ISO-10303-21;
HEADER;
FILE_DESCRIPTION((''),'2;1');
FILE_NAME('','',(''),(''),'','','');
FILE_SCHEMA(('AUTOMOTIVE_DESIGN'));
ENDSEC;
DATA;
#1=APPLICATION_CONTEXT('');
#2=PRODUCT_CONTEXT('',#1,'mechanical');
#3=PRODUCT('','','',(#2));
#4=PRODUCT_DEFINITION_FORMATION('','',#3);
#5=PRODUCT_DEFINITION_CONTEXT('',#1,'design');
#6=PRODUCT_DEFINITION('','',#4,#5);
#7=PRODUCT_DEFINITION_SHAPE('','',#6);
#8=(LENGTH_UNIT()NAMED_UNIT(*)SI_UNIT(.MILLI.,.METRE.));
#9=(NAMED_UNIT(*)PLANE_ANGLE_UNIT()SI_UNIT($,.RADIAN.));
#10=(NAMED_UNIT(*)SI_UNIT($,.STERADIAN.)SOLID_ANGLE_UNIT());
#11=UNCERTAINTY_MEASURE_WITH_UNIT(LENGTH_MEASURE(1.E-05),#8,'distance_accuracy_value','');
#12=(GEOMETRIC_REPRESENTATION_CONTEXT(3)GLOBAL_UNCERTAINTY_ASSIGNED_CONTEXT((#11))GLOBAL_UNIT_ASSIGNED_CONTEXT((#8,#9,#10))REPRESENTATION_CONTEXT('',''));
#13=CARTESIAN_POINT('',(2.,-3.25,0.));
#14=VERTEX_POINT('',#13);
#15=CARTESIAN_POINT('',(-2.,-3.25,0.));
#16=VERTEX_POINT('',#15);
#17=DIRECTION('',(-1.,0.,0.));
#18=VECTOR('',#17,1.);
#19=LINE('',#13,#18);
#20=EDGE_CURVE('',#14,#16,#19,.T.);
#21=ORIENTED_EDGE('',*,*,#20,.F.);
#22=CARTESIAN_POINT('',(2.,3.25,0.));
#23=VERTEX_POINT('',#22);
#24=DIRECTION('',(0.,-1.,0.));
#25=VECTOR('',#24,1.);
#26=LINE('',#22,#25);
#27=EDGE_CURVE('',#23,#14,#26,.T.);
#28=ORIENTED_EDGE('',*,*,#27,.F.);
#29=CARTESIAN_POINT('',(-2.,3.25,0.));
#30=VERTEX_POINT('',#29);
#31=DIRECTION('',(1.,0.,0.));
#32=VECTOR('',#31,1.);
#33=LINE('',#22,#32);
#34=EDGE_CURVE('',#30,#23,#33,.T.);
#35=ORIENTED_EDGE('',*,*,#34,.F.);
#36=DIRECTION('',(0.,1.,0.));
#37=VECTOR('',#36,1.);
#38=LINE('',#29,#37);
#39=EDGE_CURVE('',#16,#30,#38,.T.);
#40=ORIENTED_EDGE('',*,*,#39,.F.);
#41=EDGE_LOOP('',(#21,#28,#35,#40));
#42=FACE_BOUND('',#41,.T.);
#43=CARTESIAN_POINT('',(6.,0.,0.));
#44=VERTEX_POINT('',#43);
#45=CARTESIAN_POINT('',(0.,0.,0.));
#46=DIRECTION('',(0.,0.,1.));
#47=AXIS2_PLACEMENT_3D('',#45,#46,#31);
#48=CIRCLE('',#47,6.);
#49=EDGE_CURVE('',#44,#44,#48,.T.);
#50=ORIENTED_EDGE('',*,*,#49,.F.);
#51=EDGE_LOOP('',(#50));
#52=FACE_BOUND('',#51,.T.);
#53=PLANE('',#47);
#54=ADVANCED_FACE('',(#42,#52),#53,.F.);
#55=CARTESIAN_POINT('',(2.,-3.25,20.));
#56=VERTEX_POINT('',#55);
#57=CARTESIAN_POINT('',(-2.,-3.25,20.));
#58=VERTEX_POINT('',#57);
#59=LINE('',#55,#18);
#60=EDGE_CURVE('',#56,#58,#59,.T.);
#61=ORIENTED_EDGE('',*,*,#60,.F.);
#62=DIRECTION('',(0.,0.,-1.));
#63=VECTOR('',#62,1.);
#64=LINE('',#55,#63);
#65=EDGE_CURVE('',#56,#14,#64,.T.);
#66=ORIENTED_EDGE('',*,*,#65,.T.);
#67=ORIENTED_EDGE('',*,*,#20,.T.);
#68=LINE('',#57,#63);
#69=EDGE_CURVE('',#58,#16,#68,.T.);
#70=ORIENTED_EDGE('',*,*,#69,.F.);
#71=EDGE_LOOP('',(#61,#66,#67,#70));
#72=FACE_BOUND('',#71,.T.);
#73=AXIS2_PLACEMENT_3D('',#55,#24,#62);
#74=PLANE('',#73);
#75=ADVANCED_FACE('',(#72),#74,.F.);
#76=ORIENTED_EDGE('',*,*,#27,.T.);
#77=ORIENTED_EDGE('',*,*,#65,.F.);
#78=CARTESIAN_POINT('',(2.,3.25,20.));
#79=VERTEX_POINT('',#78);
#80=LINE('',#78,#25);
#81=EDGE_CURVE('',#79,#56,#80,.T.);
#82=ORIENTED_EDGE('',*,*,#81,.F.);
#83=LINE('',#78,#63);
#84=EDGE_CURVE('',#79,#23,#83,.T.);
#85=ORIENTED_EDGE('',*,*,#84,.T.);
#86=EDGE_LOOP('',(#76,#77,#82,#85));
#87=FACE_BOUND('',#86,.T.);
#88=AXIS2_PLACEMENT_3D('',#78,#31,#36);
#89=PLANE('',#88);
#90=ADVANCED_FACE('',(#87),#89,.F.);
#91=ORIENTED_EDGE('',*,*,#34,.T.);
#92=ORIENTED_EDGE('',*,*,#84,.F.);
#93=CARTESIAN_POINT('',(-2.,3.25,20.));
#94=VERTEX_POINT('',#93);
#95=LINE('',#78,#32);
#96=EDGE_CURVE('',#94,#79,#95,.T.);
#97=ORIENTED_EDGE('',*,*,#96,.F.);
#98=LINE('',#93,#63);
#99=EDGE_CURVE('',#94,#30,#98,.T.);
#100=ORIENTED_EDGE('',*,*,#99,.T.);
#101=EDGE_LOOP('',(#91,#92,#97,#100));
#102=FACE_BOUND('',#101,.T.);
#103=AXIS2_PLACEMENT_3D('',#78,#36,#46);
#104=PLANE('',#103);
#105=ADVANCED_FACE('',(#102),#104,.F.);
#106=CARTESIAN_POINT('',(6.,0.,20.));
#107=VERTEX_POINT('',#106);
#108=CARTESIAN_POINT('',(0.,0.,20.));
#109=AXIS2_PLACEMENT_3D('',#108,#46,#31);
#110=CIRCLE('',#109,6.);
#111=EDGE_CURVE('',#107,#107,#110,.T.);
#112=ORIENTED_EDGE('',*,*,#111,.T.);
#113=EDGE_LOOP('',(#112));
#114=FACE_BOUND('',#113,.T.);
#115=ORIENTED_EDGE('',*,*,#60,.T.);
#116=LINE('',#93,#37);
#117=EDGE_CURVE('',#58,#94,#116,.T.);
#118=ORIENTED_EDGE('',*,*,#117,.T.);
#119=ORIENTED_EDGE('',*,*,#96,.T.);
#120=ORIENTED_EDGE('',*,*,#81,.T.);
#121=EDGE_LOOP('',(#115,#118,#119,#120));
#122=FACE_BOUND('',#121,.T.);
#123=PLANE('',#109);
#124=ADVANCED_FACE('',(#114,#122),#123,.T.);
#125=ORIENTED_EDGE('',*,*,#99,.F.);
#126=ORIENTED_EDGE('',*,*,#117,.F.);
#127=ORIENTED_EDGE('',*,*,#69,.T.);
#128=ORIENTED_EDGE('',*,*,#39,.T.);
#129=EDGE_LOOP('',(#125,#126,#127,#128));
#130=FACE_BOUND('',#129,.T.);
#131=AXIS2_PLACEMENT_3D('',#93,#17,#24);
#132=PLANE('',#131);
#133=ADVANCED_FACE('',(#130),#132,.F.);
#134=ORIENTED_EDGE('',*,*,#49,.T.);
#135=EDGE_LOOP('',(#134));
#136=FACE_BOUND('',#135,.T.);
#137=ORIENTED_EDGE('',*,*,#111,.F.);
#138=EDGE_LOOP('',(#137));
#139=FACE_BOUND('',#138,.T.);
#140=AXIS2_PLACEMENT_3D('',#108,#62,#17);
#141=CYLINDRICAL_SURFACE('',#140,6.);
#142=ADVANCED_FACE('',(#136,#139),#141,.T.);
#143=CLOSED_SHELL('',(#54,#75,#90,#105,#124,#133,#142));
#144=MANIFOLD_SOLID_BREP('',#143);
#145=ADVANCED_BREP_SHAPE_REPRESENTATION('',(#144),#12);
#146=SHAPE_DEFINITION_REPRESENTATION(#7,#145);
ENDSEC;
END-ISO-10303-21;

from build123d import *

# Parameters (mm, degrees)
ESQUISSE1_R      = 6
EXTRUSION1_DEPTH = 20
ESQUISSE2_W      = 4
ESQUISSE2_H      = 6.5
EXTRUSION2_DEPTH = 20


with BuildPart() as part:
    # Esquisse1 → Extrusion1 (new body)
    with BuildSketch(Plane.XY):
        Circle(ESQUISSE1_R)
    extrude(amount=EXTRUSION1_DEPTH)

    # Esquisse2 → Extrusion2 (cut)
    with BuildSketch(Plane(origin=(0, 0, 0), x_dir=(-1, 0, 0), z_dir=(0, 0, -1))):
        Rectangle(ESQUISSE2_W, ESQUISSE2_H)
    extrude(amount=-EXTRUSION2_DEPTH, mode=Mode.SUBTRACT)


solid = part.part
